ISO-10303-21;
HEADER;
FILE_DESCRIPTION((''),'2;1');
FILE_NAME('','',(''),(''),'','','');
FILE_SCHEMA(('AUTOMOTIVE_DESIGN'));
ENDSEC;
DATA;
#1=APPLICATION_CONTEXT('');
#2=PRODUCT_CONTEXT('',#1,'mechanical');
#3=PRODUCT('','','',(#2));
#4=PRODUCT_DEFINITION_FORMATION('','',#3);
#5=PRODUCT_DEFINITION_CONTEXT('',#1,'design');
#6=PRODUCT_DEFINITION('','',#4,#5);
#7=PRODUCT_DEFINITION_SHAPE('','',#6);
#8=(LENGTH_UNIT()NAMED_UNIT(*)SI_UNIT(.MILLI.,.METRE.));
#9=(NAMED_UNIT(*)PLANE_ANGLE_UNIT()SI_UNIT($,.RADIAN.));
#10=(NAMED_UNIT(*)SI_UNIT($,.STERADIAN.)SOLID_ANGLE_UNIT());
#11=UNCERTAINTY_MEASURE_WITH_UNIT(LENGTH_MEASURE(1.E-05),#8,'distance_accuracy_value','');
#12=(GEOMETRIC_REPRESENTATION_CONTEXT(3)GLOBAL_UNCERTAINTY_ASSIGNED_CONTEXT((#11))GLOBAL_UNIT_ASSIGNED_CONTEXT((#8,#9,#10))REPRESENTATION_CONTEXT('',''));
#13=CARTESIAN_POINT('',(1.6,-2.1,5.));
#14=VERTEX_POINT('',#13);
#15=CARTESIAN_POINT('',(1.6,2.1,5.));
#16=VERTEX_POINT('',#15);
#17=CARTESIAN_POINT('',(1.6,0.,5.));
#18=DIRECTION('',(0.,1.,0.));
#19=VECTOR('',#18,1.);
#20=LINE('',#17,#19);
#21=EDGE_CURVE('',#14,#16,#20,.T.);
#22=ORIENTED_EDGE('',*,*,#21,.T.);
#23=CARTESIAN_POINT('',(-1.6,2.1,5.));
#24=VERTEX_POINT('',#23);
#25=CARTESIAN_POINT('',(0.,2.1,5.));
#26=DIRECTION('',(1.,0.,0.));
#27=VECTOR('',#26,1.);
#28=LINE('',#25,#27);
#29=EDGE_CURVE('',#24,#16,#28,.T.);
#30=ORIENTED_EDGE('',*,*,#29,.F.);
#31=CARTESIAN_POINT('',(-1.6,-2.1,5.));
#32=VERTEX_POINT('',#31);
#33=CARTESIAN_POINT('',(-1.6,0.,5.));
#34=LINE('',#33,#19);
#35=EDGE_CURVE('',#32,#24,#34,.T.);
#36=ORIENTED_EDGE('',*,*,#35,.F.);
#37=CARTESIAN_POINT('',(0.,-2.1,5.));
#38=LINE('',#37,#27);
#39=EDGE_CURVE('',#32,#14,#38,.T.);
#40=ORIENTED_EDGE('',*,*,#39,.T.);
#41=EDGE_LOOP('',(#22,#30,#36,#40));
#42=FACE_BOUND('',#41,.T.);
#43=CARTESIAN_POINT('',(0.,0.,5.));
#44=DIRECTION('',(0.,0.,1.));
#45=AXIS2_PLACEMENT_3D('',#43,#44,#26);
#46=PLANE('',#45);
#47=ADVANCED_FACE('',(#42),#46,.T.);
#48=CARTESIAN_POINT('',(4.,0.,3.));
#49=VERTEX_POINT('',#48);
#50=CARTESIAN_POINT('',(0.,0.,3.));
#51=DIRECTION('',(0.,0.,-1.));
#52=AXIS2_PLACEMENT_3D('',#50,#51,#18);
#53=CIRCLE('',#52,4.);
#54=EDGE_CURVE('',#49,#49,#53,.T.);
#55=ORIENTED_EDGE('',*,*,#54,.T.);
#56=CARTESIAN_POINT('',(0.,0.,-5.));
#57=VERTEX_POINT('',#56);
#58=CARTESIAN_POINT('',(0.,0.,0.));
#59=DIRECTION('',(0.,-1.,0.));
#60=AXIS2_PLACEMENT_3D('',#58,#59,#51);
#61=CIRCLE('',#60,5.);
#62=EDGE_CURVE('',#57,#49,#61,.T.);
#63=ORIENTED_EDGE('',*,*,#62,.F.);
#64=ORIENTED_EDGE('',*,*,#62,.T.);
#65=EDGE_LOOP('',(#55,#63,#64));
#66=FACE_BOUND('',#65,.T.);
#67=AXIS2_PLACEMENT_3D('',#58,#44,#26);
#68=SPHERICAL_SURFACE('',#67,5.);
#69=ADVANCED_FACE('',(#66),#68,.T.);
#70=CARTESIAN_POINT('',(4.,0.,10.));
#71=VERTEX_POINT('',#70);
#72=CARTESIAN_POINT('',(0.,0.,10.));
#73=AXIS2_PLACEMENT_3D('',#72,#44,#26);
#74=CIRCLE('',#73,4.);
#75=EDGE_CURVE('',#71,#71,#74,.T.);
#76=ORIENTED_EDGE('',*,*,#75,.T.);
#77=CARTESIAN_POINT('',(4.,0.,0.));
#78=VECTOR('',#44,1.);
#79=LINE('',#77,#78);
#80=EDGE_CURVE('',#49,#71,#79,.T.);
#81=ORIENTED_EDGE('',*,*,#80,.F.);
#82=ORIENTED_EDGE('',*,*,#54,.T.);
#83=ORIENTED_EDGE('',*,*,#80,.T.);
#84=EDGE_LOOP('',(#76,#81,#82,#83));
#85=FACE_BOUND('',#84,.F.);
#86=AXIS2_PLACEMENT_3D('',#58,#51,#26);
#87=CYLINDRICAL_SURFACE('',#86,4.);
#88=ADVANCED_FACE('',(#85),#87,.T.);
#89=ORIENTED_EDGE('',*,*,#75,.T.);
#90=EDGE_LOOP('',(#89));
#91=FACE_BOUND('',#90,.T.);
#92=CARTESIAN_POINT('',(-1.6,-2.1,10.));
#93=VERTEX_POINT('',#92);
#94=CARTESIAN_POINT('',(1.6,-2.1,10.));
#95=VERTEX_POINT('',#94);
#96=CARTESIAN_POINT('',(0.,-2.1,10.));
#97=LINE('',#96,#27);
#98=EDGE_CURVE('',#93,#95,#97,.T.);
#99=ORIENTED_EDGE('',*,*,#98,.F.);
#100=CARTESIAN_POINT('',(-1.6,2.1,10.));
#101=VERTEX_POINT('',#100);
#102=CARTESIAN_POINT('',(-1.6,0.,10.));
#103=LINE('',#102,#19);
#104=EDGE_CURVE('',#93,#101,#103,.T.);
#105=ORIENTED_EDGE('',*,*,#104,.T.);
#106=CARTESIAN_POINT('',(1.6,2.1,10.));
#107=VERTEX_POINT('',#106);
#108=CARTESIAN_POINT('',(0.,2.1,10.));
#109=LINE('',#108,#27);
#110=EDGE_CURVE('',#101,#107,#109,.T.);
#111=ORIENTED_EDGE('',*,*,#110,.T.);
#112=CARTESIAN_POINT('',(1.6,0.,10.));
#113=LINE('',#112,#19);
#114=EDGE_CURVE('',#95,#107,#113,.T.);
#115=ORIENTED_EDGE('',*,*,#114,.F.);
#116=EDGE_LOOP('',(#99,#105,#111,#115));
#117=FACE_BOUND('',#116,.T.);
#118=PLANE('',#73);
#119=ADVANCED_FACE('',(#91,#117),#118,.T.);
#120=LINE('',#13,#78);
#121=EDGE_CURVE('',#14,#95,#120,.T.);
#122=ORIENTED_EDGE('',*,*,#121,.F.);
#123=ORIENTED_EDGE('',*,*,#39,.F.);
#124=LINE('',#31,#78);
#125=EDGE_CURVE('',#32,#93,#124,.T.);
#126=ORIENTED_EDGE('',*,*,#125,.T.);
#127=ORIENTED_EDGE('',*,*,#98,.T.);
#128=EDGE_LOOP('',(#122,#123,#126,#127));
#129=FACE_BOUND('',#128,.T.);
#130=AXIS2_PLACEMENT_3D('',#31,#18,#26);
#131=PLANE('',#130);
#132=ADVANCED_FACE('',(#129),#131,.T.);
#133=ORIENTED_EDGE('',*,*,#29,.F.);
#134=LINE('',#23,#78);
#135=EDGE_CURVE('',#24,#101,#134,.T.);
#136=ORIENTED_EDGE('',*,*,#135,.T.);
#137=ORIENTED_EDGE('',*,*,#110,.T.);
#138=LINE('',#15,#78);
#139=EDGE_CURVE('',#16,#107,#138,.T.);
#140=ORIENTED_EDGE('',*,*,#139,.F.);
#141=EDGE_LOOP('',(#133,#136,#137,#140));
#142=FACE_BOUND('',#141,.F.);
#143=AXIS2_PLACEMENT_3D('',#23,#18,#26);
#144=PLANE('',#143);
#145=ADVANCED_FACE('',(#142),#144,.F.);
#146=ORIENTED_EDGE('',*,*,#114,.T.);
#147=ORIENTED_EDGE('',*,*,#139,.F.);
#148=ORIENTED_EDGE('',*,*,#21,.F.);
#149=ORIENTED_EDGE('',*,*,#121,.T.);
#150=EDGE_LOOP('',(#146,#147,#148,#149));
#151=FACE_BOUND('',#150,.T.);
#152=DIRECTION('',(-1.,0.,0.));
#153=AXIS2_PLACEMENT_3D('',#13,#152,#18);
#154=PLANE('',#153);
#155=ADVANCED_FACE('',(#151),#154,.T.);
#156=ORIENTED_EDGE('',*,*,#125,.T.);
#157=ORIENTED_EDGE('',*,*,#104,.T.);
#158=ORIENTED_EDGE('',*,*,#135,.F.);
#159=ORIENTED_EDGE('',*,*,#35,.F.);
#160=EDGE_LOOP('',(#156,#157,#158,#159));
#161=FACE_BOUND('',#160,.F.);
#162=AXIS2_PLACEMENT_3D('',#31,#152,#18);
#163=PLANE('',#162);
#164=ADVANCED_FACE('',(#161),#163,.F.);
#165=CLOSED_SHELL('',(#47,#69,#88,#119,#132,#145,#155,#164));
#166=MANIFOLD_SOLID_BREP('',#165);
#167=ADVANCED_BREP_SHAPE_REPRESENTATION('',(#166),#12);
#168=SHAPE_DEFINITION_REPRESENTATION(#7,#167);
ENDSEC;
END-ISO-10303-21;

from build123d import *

# Parameters (mm, degrees)
BOX_W          = 3.2
BOX_H          = 4.2
BOX_DEPTH      = 5
CYLINDER_R     = 4
CYLINDER_DEPTH = 10


with BuildPart() as stickremove:
    # Box → Box (new body)
    with BuildSketch(Plane(origin=(-1.6, -2.1, 5), x_dir=(1, 0, 0), z_dir=(0, 0, 1))):
        with Locations((1.6, 2.1)):
            Rectangle(BOX_W, BOX_H)
    extrude(amount=BOX_DEPTH)


with BuildPart() as sticklength:
    # Cylinder → Cylinder (new body)
    with BuildSketch(Plane.XY):
        Circle(CYLINDER_R)
    extrude(amount=CYLINDER_DEPTH)


with BuildPart() as sticktotal:
    # Sphere → Sphere (revolve)
    with BuildSketch(Plane.XZ):
        with BuildLine():
            ThreePointArc((0, -5), (5, 0), (0, 5))
            Line((0, 5), (0, -5))
        make_face()
    revolve(axis=Axis((0, 0, 0), (0, 0, 1)))

    # Fusion: union StickLength
    add(sticklength.part)

    # Cut: cut StickRemove
    add(stickremove.part, mode=Mode.SUBTRACT)


solid = sticktotal.part
